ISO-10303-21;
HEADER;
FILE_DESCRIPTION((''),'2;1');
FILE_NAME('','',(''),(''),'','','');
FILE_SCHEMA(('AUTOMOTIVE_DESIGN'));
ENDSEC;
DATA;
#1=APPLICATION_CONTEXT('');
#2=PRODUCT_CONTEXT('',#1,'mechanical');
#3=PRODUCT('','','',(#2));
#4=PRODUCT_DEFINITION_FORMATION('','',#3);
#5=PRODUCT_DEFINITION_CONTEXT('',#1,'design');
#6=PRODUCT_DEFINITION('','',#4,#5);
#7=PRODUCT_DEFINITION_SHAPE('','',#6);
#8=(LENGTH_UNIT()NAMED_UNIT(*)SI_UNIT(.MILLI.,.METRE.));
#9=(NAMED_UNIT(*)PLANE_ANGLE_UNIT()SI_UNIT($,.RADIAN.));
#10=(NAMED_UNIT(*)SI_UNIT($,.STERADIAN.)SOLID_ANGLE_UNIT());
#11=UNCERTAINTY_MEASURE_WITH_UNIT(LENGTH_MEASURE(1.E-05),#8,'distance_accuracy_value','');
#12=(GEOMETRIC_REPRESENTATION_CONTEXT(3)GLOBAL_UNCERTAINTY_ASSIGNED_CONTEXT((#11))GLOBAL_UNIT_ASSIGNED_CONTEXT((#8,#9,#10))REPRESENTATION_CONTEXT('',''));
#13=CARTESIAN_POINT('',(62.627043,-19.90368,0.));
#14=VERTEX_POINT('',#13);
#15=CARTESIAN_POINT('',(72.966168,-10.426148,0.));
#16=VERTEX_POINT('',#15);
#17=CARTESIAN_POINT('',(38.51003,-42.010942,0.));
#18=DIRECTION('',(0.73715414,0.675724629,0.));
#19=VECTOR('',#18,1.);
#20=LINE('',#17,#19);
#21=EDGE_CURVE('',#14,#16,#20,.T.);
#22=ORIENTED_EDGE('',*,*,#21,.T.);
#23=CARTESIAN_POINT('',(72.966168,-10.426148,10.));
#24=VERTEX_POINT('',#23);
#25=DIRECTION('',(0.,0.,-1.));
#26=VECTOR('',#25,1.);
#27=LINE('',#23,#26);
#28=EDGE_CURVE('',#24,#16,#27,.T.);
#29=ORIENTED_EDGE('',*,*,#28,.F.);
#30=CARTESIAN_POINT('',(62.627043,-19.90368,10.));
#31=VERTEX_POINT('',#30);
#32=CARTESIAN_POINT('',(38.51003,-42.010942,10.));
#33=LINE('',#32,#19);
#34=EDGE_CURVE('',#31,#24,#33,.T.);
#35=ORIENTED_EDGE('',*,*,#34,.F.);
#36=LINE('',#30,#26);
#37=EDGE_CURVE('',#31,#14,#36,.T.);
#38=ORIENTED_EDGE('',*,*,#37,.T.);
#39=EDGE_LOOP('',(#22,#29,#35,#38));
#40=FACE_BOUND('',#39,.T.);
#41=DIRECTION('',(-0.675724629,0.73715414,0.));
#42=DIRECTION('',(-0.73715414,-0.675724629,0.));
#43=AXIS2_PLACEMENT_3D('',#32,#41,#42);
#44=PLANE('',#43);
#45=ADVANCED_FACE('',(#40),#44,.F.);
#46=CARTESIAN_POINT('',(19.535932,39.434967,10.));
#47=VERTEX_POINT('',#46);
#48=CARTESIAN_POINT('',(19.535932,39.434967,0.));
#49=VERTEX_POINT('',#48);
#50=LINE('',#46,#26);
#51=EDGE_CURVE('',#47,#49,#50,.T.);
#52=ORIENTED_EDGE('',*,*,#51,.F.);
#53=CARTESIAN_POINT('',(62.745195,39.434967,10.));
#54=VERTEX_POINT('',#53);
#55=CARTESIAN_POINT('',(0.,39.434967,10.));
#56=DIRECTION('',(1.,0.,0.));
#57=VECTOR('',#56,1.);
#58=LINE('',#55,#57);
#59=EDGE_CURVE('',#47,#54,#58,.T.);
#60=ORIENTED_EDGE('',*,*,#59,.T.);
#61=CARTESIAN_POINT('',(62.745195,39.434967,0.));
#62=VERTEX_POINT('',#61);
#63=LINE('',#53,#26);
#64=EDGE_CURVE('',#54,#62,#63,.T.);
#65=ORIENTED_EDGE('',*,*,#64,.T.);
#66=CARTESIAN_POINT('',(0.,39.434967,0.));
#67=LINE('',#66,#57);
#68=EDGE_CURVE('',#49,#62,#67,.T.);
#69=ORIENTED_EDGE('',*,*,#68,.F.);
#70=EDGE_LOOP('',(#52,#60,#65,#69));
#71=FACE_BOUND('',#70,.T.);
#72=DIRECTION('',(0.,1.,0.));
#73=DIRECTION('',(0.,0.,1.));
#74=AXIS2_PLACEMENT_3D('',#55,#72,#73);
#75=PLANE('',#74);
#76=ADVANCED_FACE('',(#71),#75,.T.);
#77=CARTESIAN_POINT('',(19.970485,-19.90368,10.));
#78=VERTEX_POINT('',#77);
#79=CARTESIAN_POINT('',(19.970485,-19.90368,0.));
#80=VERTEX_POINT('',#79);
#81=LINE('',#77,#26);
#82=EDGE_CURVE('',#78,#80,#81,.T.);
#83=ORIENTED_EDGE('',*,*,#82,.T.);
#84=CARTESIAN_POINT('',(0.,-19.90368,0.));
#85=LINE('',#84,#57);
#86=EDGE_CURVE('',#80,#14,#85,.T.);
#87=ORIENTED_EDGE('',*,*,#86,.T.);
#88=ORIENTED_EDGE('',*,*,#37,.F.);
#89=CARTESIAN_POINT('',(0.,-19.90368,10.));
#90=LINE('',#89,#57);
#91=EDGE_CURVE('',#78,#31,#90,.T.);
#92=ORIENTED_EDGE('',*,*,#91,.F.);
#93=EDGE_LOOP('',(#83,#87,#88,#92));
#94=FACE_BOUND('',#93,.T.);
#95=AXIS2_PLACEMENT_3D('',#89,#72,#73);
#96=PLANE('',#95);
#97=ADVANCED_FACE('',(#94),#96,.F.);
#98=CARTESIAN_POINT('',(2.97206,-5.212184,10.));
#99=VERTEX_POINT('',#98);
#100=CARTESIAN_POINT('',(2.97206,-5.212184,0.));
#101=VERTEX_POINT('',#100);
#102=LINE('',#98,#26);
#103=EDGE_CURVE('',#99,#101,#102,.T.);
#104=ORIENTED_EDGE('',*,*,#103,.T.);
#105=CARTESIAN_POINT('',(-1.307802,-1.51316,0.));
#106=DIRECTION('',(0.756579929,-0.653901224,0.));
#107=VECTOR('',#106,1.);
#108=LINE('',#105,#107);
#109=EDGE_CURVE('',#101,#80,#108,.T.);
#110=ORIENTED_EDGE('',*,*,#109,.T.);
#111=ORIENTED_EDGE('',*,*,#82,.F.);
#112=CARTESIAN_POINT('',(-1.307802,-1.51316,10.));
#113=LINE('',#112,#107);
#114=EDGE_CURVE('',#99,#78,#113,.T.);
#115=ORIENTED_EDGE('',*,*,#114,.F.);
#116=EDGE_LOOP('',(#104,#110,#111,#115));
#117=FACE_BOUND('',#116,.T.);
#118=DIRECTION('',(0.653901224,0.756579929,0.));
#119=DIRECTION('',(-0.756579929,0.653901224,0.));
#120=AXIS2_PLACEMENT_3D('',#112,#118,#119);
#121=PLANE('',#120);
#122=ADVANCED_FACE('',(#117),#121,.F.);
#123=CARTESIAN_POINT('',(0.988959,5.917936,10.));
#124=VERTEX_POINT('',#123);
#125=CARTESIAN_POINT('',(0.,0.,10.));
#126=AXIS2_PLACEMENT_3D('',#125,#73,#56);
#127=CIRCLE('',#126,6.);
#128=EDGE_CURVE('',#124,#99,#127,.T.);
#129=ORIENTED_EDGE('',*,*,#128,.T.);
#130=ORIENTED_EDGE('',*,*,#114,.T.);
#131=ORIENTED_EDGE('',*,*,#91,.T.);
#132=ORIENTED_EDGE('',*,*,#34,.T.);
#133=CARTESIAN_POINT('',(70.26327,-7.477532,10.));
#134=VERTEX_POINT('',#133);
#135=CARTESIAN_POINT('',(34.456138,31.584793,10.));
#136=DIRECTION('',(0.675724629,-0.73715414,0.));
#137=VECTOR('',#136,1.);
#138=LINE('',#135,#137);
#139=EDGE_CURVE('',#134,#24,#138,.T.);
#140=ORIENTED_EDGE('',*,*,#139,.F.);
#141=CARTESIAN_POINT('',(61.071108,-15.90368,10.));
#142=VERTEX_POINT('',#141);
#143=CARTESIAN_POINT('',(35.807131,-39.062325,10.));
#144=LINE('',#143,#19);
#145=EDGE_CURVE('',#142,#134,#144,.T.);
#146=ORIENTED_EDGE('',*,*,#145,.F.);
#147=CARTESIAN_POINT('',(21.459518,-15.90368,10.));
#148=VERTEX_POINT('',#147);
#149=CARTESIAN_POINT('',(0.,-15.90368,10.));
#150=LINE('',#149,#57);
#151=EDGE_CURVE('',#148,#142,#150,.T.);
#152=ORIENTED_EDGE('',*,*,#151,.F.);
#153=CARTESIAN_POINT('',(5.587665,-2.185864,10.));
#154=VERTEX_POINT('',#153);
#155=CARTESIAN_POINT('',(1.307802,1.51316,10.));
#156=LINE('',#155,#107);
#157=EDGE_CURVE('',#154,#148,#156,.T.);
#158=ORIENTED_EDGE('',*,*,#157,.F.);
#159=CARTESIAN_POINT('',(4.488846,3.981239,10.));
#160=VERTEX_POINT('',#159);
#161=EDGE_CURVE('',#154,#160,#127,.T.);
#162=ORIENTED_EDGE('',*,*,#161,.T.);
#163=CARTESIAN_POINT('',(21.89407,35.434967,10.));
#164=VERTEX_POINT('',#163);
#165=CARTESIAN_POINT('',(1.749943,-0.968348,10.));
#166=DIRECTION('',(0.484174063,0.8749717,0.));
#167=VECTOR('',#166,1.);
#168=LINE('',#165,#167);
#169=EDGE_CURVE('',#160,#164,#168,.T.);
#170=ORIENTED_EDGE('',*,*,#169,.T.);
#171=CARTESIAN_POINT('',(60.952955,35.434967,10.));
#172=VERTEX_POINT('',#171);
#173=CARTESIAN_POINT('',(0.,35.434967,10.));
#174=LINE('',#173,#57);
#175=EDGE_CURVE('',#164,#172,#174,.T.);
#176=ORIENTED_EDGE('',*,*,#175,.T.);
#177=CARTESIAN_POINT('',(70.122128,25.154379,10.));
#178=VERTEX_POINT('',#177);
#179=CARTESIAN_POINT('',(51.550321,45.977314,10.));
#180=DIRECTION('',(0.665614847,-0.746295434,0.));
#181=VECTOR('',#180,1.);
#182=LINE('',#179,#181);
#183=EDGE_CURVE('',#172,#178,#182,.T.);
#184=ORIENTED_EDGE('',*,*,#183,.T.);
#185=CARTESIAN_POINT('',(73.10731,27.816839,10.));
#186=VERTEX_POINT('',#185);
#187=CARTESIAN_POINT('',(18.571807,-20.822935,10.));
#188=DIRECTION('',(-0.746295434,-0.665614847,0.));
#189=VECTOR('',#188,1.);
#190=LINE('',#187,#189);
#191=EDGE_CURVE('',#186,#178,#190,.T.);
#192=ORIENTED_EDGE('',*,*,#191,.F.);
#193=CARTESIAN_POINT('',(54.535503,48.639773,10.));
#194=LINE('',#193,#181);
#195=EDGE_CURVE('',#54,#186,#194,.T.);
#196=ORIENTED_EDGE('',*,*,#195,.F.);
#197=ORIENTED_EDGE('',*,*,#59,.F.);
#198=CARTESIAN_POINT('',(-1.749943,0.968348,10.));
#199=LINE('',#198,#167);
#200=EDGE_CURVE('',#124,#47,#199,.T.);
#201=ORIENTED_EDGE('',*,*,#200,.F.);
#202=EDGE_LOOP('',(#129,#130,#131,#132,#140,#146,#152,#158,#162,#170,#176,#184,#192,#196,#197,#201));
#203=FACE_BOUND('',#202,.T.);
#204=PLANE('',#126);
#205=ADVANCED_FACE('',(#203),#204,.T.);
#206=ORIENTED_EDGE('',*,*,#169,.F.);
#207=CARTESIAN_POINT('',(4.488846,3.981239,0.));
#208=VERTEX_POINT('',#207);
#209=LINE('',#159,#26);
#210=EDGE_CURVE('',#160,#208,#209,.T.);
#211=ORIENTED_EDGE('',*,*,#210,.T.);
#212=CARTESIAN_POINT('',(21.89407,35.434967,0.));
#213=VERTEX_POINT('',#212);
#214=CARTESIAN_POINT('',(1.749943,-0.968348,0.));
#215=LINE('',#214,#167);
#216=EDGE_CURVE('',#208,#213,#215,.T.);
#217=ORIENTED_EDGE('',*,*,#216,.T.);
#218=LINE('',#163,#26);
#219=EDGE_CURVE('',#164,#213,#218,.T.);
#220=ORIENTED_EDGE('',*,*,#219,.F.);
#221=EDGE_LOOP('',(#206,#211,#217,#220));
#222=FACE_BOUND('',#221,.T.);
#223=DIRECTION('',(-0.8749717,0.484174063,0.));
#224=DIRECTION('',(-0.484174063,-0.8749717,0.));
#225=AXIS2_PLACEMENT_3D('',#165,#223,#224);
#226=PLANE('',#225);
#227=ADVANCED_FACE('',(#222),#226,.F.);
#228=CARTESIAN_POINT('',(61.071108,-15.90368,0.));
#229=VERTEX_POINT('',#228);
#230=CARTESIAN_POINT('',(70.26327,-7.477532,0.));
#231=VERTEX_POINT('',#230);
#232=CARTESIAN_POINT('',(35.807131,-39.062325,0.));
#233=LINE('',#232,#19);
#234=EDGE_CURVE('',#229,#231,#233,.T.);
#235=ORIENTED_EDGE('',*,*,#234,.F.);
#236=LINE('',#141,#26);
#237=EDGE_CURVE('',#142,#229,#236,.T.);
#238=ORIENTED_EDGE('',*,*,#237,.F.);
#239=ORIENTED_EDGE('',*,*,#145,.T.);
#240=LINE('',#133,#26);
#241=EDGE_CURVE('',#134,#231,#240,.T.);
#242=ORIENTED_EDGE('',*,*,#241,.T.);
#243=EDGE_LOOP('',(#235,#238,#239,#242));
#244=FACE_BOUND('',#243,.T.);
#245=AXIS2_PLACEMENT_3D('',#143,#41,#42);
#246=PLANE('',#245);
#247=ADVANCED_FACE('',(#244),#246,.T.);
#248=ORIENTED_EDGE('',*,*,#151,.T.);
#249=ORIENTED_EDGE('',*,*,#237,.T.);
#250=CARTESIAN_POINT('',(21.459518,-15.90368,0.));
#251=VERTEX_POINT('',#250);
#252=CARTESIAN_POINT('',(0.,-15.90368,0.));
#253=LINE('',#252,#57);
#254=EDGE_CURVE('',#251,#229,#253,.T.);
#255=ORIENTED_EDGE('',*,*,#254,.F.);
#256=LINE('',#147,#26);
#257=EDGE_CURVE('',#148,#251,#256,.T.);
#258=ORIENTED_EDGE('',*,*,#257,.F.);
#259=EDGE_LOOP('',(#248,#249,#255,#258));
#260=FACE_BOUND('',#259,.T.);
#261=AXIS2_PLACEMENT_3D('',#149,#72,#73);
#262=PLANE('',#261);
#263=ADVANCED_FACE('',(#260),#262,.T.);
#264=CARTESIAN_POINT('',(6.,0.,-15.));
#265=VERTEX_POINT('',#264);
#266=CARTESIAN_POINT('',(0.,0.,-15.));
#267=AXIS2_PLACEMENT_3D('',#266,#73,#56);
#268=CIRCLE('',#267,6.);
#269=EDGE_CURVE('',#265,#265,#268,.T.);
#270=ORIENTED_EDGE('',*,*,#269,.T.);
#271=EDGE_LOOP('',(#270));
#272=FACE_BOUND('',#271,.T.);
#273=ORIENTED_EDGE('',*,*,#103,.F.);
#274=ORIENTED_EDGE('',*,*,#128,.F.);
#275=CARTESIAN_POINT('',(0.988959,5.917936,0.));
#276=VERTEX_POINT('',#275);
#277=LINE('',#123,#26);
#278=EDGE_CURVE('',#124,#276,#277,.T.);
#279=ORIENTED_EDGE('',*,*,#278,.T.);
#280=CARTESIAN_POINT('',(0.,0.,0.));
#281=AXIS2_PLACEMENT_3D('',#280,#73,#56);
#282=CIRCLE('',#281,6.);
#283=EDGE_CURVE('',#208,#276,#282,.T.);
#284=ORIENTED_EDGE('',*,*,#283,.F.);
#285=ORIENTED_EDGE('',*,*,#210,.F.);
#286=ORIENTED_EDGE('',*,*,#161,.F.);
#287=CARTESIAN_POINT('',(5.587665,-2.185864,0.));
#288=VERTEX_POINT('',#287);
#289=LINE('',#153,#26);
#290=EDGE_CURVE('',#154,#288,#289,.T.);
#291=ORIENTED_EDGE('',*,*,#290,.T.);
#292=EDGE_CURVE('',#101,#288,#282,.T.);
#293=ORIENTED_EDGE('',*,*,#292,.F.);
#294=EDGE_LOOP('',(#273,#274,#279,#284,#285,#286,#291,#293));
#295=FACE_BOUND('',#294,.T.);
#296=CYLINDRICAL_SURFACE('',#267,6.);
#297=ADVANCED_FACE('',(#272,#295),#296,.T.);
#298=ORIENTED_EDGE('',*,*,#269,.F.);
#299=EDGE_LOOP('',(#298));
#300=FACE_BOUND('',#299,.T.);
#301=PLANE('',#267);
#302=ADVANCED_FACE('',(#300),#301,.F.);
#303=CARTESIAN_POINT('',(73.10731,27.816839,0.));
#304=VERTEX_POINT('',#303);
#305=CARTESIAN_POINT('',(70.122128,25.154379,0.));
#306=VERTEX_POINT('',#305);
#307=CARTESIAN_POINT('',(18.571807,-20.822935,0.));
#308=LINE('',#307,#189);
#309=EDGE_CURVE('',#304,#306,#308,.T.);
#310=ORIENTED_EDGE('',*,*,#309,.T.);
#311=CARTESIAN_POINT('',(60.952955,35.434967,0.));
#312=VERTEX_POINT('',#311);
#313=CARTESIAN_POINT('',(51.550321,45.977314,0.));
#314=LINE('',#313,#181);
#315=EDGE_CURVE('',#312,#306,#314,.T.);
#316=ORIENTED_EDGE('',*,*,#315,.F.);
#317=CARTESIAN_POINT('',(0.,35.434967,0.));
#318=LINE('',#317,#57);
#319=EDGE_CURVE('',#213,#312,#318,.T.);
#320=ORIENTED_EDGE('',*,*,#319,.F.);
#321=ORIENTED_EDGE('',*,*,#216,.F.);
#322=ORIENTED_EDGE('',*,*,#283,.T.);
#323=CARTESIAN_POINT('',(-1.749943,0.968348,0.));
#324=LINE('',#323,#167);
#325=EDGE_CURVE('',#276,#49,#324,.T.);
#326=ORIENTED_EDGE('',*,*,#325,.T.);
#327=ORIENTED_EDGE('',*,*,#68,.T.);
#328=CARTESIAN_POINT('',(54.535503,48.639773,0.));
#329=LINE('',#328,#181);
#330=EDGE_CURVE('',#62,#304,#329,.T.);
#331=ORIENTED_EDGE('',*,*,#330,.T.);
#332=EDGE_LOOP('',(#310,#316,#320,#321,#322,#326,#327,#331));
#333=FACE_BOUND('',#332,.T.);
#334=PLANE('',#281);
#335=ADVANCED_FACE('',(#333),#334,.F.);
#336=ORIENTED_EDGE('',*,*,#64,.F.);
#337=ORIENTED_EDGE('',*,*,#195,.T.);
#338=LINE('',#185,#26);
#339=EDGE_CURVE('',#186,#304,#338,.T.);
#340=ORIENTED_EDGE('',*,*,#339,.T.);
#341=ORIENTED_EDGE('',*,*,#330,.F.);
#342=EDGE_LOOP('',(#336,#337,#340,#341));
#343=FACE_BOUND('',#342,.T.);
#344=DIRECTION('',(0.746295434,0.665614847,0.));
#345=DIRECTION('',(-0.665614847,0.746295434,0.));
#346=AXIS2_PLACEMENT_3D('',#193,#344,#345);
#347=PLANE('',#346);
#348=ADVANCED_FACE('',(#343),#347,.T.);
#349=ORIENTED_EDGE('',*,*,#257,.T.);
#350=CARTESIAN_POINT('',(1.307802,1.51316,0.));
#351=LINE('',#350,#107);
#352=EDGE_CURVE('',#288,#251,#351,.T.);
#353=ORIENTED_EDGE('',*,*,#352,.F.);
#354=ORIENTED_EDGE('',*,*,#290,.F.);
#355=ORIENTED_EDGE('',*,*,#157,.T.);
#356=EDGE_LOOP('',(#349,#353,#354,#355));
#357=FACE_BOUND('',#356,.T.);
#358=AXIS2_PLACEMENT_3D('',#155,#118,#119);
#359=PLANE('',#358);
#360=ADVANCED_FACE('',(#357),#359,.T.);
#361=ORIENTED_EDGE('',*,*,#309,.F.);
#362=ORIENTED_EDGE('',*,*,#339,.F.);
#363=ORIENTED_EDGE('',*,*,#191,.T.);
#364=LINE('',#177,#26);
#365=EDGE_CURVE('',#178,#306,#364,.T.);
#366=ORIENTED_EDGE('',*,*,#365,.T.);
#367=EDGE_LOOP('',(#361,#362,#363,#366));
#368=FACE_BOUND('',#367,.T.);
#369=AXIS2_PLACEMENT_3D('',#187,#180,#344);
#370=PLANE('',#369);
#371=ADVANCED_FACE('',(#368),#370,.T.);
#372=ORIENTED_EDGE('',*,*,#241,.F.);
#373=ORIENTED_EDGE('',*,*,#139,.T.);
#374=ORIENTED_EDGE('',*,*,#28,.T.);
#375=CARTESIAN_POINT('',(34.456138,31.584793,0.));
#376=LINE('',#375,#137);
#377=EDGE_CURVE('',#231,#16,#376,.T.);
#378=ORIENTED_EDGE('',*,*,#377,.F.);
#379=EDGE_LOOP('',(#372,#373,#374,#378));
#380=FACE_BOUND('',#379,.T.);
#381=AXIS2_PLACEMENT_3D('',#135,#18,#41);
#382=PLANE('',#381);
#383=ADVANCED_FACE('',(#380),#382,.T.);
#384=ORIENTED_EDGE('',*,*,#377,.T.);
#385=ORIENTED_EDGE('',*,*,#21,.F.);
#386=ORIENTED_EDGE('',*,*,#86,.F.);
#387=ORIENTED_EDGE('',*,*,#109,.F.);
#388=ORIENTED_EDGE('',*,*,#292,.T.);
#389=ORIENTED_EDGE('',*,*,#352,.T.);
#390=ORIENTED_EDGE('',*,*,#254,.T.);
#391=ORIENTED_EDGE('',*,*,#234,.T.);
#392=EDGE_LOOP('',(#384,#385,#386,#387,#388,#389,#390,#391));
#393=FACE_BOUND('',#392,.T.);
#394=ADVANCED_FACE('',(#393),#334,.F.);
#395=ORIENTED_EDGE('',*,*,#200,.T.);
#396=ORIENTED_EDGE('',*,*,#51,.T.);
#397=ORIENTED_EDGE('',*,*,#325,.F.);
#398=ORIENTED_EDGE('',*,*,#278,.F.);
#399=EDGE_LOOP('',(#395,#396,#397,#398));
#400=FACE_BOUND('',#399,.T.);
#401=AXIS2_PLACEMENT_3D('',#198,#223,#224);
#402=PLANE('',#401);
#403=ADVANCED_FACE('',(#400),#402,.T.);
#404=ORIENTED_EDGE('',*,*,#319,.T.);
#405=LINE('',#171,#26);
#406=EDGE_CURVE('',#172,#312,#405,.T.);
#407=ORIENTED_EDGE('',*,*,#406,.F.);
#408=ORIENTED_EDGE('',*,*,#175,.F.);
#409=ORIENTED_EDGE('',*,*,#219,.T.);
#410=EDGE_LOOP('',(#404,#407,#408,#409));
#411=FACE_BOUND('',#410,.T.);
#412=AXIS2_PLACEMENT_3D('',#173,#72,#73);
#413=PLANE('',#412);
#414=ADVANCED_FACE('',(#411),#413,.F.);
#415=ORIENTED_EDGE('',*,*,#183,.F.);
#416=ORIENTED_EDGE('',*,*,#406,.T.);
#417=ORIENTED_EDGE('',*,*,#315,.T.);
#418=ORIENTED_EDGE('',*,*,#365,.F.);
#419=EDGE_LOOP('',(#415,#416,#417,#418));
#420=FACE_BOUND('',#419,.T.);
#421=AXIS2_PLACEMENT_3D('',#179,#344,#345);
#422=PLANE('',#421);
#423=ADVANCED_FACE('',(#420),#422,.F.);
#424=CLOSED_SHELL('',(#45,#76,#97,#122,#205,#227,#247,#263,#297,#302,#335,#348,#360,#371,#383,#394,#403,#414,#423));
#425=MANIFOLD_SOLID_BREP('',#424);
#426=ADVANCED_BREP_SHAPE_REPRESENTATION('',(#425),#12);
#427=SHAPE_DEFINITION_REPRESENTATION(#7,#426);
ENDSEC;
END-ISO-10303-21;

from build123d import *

# Parameters (mm, degrees)
BOSS_EXTRUDE1_DEPTH   = 10
BOSS_EXTRUDE1_2_DEPTH = 10
BOSS_EXTRUDE1_3_DEPTH = 10
BOSS_EXTRUDE1_4_DEPTH = 10
SKETCH2_R             = 6
BOSS_EXTRUDE2_DEPTH   = 25


with BuildPart() as part:
    # Sketch1 → Boss-Extrude1 (new body)
    with BuildSketch(Plane.XY):
        with BuildLine():
            Line((70.122128007, 25.154379147), (73.107309745, 27.816838535))
            Line((73.107309745, 27.816838535), (62.745195449, 39.434966685))
            Line((62.745195449, 39.434966685), (19.535932482, 39.434966685))
            Line((19.535932482, 39.434966685), (0.988958707, 5.917935508))
            ThreePointArc((0.988958707, 5.917935508), (2.90504438, 5.249830202), (4.488845509, 3.981239254))
            Line((4.488845509, 3.981239254), (21.894070174, 35.434966685))
            Line((21.894070174, 35.434966685), (60.952955338, 35.434966685))
            Line((60.952955338, 35.434966685), (70.122128007, 25.154379147))
        make_face()
    extrude(amount=BOSS_EXTRUDE1_DEPTH)


with BuildPart() as body_2:
    # Sketch1 → Boss-Extrude1 2 (new body)
    with BuildSketch(Plane.XY):
        with BuildLine():
            ThreePointArc((6, 0), (5.609504125, 2.129193151), (4.488845509, 3.981239254))
            Line((4.488845509, 3.981239254), (2.535804531, 0.451815201))
            Line((2.535804531, 0.451815201), (5.587664835, -2.185864062))
            ThreePointArc((5.587664835, -2.185864062), (5.896015138, -1.112207488), (6, 0))
        make_face()
    extrude(amount=BOSS_EXTRUDE1_2_DEPTH)


with BuildPart() as body_3:
    # Sketch1 → Boss-Extrude1 3 (new body)
    with BuildSketch(Plane.XY):
        with BuildLine():
            Line((-2.535804531, -0.451815201), (0.988958707, 5.917935508))
            ThreePointArc((0.988958707, 5.917935508), (-5.906970967, -1.052470426), (2.972059937, -5.212183777))
            Line((2.972059937, -5.212183777), (-2.535804531, -0.451815201))
        make_face()
    extrude(amount=BOSS_EXTRUDE1_3_DEPTH)


with BuildPart() as body_4:
    # Sketch1 → Boss-Extrude1 4 (new body)
    with BuildSketch(Plane.XY):
        with BuildLine():
            ThreePointArc((5.587664835, -2.185864062), (4.539479574, -3.923407346), (2.972059937, -5.212183777))
            Line((2.972059937, -5.212183777), (19.970484994, -19.903679719))
            Line((19.970484994, -19.903679719), (62.627042774, -19.903679719))
            Line((62.627042774, -19.903679719), (72.966168133, -10.42614814))
            Line((72.966168133, -10.42614814), (70.263269619, -7.477531579))
            Line((70.263269619, -7.477531579), (61.071108012, -15.903679719))
            Line((61.071108012, -15.903679719), (21.459517662, -15.903679719))
            Line((21.459517662, -15.903679719), (5.587664835, -2.185864062))
        make_face()
    extrude(amount=BOSS_EXTRUDE1_4_DEPTH)


with BuildPart() as boss_extrude2_tool:
    # Sketch2 → Boss-Extrude2 (new body)
    with BuildSketch(Plane.XY.offset(10)):
        Circle(SKETCH2_R)
    extrude(amount=-BOSS_EXTRUDE2_DEPTH)


with BuildPart() as part_1:
    add(part.part)


with BuildPart() as part_2:
    # Boss-Extrude2: joined with boss_extrude2_tool
    add(part_1.part.fuse(boss_extrude2_tool.part, body_2.part, body_3.part, body_4.part, tol=0.00001))


solid = part_2.part
